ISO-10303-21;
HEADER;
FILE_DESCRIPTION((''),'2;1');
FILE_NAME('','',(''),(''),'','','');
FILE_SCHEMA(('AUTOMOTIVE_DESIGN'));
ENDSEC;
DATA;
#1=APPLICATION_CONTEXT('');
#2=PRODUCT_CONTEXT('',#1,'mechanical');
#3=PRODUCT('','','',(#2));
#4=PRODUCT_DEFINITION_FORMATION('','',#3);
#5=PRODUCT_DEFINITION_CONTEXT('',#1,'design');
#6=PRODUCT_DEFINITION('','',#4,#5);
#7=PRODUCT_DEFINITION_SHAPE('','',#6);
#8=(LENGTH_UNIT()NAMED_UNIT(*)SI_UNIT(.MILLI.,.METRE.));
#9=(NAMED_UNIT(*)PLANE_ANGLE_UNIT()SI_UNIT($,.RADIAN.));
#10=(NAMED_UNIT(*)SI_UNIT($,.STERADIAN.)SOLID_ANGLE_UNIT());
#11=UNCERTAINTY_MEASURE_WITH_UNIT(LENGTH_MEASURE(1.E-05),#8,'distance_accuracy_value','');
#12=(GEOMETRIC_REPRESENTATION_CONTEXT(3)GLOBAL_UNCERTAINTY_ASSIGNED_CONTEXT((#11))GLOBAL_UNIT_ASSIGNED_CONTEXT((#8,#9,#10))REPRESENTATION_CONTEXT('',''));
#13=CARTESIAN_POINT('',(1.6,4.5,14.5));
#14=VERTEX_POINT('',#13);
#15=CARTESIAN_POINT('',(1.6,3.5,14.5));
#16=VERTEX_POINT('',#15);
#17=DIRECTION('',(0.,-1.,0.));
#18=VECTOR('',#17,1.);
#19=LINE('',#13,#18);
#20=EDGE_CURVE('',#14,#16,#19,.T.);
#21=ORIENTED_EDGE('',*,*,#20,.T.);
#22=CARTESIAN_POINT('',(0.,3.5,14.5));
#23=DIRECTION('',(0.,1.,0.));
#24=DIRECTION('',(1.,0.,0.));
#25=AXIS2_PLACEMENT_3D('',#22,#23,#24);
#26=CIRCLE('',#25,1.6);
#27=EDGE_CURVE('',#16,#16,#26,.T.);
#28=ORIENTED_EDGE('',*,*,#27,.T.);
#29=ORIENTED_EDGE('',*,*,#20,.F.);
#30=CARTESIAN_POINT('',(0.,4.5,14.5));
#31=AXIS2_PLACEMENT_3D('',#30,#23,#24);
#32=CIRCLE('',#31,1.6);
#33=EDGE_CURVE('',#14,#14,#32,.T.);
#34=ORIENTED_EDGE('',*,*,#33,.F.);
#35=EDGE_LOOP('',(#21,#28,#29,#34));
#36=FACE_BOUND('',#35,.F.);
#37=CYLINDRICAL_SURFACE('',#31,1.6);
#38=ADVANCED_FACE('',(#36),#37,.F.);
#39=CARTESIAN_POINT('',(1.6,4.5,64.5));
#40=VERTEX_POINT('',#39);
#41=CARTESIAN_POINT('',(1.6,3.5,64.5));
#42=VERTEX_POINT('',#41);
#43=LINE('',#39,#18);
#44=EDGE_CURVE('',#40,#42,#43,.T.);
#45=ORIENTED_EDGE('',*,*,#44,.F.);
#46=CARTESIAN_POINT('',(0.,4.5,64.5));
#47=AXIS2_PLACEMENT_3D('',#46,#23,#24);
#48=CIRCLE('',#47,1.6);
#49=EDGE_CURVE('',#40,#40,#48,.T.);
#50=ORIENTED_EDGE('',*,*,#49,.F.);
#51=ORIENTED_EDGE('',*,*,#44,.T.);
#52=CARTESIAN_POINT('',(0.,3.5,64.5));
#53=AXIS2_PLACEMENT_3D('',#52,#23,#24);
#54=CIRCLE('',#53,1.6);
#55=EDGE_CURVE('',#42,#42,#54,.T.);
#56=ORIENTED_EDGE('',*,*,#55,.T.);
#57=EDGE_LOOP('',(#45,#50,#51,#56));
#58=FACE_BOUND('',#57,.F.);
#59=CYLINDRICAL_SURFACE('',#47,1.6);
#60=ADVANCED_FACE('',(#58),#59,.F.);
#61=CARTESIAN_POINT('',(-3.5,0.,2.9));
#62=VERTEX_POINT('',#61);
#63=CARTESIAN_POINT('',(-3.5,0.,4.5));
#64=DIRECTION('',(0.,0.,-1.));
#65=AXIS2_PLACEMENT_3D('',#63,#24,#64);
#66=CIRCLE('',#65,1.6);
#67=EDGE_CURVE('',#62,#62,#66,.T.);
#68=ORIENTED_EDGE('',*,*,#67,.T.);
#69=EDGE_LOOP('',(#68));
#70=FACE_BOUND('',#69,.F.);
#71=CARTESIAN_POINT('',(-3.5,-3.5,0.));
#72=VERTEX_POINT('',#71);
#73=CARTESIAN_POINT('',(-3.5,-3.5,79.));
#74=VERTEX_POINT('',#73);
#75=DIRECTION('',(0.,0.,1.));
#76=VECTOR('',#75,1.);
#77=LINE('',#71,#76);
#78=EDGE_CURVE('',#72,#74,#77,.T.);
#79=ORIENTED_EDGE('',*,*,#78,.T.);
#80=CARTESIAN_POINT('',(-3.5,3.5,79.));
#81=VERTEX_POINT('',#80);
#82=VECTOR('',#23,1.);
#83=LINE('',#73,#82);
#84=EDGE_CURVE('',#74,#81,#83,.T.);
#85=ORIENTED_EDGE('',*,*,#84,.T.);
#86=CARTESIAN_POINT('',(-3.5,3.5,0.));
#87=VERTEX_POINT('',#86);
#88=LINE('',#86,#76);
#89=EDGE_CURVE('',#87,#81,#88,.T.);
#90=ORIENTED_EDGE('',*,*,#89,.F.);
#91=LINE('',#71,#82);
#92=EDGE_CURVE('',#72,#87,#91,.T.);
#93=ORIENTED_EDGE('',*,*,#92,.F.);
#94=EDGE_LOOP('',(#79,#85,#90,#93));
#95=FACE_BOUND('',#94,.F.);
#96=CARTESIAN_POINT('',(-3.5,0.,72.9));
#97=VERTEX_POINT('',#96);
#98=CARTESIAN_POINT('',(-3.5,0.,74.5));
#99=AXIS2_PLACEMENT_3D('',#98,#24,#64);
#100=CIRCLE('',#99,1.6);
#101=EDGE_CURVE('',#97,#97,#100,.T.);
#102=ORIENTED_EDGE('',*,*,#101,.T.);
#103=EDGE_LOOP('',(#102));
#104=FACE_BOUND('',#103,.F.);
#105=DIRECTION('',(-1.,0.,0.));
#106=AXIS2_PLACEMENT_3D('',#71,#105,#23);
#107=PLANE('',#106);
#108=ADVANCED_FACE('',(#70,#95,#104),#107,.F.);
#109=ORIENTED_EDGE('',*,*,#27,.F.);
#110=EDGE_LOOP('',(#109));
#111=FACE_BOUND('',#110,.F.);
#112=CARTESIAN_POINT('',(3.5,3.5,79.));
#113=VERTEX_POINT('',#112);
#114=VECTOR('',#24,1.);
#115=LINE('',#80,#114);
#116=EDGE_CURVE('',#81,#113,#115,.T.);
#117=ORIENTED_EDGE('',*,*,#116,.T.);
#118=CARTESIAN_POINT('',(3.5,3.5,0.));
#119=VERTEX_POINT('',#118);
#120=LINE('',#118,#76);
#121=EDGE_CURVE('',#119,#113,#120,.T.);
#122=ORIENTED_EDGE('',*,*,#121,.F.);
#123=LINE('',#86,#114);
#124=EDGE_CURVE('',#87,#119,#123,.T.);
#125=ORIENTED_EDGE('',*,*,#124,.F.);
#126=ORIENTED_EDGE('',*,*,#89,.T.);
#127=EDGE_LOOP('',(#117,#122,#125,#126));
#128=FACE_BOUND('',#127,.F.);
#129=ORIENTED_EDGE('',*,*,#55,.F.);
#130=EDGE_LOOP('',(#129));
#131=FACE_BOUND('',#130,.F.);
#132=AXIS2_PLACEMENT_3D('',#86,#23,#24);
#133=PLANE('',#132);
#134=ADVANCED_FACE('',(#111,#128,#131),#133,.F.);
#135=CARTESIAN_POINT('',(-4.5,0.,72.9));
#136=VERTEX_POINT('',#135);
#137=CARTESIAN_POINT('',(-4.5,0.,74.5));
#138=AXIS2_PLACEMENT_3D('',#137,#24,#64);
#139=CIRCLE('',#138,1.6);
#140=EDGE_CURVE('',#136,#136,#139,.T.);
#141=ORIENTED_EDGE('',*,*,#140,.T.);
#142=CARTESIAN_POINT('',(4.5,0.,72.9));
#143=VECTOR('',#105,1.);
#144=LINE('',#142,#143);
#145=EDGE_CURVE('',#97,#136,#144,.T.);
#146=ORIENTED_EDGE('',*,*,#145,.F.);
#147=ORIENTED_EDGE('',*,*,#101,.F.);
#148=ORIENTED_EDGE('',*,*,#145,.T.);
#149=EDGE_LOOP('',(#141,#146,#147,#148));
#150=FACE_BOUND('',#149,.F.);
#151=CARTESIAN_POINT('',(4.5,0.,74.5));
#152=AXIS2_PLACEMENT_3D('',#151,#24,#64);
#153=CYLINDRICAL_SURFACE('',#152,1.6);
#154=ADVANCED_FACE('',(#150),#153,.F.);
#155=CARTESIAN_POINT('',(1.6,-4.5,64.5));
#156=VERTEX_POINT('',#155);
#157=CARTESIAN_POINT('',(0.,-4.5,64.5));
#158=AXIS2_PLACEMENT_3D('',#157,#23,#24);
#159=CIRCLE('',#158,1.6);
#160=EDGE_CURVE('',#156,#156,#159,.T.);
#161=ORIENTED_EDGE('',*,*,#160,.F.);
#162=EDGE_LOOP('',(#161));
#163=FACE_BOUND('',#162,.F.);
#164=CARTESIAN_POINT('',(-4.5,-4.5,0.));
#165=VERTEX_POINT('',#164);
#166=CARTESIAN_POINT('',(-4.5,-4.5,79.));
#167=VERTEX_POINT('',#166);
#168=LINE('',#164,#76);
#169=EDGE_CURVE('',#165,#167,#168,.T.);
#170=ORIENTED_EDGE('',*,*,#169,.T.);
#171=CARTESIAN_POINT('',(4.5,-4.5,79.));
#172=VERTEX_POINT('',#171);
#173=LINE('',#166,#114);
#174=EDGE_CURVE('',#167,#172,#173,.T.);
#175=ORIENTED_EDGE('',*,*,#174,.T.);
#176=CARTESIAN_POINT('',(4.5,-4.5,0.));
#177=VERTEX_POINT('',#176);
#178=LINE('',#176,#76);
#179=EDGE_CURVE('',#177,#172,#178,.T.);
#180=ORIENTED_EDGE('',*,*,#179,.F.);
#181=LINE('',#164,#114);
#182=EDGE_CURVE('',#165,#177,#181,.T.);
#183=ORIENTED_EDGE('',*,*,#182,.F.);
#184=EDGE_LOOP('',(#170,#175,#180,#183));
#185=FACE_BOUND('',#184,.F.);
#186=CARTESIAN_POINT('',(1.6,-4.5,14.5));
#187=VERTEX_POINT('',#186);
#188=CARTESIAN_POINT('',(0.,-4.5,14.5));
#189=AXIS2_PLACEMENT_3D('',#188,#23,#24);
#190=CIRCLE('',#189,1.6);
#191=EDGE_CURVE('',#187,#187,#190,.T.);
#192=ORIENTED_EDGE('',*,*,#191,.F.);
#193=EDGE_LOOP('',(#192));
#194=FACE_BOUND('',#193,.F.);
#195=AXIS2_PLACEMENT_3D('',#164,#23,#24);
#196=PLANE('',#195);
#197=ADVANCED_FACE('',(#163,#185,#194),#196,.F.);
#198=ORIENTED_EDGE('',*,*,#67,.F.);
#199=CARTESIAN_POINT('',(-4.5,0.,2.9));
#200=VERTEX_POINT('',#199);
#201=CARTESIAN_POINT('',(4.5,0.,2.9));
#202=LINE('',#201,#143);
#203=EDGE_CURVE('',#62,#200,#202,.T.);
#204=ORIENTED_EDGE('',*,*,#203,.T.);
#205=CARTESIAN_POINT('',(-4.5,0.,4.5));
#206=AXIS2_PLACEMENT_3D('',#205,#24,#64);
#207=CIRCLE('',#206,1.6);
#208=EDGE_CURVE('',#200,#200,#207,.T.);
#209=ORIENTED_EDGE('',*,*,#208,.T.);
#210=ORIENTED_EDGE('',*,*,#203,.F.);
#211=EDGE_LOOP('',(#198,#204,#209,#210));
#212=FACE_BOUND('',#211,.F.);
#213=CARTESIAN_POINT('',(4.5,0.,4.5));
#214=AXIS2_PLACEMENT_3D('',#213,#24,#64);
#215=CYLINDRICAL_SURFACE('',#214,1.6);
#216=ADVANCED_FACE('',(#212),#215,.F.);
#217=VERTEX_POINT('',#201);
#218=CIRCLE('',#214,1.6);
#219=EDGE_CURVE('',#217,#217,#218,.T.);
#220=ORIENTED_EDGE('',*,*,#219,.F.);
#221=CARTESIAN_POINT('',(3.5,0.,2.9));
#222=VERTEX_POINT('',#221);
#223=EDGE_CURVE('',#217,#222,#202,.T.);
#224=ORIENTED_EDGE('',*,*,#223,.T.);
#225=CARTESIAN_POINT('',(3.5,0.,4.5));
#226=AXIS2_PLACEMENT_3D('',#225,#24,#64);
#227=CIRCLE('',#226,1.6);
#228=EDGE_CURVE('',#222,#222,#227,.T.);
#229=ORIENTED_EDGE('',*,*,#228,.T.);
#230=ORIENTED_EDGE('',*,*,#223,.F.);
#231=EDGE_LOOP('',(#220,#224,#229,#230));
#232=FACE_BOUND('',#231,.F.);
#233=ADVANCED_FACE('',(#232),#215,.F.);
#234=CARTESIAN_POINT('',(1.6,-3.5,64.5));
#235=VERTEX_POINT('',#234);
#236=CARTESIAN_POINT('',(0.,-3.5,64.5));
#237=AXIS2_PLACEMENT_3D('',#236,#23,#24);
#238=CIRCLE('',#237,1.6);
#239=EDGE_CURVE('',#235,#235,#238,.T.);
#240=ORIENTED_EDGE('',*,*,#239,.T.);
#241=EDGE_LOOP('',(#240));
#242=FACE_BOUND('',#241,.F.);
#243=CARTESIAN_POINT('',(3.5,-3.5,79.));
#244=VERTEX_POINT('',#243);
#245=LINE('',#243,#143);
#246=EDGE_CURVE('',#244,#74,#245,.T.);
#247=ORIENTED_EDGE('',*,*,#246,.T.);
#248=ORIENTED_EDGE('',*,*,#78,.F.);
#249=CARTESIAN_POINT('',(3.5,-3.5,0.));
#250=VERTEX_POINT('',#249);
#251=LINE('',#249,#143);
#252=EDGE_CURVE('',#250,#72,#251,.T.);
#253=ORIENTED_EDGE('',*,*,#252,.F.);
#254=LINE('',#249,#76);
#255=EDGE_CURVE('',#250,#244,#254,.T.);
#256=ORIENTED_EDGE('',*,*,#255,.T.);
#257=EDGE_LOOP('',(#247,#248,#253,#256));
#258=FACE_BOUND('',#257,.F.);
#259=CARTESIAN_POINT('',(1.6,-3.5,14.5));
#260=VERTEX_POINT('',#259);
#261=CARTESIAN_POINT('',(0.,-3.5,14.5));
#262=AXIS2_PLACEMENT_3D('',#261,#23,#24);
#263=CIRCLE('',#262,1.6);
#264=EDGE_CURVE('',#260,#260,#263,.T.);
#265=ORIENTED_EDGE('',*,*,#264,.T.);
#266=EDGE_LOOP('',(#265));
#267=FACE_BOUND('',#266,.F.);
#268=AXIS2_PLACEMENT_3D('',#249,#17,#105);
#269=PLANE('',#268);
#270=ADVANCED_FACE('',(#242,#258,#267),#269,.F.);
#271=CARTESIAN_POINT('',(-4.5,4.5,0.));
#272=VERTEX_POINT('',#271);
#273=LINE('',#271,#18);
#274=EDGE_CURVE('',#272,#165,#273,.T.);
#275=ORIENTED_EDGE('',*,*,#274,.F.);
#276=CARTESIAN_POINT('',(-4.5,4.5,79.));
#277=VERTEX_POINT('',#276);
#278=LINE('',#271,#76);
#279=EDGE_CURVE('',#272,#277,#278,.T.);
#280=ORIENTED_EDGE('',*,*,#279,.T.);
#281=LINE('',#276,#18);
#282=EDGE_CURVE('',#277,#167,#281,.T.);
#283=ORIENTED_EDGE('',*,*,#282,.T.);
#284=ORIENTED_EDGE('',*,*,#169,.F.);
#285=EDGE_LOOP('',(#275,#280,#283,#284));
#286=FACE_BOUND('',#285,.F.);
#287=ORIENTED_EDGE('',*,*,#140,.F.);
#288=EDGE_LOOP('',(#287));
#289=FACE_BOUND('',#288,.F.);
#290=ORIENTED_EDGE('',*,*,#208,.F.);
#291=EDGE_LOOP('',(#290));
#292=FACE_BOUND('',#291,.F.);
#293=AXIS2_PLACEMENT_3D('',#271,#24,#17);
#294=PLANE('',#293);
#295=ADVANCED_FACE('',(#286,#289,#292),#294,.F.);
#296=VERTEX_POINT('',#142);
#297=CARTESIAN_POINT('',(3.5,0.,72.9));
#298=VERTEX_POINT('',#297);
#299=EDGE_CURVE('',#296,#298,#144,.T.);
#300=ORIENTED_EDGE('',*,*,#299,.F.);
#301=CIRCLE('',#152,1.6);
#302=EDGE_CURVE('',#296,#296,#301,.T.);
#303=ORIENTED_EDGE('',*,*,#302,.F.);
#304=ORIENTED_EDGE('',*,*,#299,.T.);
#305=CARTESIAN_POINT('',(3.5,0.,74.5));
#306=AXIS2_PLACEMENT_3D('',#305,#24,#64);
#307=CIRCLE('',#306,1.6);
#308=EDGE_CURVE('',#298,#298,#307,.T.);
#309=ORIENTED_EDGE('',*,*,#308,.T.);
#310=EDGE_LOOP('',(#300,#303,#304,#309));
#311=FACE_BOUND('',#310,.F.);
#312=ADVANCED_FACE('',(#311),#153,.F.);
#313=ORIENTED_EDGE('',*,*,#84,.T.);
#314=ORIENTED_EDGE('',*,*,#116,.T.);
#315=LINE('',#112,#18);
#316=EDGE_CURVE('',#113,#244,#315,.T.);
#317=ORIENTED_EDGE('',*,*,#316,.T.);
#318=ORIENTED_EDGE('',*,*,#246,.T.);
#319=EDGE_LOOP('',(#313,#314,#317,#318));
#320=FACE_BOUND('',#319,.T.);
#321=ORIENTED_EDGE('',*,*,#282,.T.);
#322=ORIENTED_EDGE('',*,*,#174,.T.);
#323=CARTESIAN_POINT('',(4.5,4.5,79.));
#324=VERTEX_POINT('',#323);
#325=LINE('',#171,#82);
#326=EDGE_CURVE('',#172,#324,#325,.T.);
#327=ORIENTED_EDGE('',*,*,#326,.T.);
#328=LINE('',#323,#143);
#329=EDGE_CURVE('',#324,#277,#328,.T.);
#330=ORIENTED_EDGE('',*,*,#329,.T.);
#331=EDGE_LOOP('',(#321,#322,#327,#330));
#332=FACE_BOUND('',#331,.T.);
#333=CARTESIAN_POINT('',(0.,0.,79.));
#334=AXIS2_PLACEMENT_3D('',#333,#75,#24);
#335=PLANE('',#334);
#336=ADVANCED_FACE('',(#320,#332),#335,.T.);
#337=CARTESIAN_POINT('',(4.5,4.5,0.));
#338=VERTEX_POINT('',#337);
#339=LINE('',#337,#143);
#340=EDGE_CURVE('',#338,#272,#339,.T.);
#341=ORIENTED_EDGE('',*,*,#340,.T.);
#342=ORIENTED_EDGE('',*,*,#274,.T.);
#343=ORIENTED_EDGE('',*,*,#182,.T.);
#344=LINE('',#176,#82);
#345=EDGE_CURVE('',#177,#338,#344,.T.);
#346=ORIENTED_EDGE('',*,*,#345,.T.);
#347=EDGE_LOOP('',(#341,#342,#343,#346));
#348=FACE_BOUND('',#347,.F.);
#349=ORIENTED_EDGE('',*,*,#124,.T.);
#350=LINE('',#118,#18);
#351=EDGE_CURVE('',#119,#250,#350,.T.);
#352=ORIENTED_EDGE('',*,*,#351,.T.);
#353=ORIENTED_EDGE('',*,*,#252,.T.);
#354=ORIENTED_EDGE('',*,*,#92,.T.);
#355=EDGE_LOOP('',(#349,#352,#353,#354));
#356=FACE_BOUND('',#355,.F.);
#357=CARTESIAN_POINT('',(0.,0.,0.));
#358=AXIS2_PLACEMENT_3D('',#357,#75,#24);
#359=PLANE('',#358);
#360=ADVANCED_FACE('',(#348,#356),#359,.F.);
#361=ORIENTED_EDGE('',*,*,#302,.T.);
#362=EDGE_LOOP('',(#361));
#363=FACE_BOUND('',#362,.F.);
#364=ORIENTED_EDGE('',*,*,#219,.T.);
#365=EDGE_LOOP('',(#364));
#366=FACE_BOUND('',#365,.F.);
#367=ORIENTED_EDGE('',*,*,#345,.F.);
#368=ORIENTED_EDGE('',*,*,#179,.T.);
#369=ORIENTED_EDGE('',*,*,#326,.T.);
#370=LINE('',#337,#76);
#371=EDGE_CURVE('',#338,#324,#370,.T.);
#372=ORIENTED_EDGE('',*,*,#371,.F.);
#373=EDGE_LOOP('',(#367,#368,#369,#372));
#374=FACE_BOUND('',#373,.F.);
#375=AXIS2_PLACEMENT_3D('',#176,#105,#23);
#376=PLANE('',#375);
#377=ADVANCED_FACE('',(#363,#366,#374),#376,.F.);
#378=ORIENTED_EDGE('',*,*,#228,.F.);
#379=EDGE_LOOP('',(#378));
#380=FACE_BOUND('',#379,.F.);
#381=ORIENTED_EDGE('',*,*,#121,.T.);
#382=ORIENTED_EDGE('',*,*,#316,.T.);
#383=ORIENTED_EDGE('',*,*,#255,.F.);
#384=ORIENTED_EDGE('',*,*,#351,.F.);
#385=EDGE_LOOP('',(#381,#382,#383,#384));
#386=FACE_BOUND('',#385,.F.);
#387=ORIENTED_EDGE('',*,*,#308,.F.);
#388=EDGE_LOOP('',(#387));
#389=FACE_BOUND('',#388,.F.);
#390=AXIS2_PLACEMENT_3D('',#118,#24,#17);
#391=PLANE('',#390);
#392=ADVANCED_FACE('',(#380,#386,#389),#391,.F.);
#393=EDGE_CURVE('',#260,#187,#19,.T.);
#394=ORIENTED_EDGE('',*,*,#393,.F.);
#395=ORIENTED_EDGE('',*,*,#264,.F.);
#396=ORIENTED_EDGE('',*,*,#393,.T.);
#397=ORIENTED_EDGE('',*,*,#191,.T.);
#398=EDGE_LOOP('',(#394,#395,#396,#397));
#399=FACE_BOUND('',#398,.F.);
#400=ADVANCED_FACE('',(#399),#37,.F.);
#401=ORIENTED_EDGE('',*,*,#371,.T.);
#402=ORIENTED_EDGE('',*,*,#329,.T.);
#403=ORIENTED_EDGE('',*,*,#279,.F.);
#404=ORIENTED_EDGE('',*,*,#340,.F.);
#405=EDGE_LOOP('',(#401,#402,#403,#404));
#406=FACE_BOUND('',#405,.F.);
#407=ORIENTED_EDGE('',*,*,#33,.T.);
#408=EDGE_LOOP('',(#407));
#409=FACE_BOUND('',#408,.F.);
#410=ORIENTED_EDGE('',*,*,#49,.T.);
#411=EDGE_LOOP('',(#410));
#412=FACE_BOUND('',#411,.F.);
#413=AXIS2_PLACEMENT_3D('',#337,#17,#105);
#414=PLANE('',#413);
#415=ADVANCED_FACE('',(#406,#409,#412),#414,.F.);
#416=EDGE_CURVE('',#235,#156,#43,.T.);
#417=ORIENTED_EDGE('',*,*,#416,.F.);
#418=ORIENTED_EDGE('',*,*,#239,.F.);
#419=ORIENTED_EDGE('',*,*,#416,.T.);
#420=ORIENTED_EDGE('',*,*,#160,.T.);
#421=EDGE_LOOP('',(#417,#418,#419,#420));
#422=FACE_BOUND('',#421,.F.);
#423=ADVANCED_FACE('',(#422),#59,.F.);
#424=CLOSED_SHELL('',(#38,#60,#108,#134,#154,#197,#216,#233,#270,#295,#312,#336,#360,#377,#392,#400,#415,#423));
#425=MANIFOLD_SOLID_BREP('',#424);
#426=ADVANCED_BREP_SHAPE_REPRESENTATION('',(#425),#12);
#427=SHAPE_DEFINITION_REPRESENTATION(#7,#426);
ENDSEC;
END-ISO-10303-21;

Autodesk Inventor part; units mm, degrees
ref_plane "YZ Plane" through (0, 0, 0) normal (1, 0, 0) x (0, 1, 0)
ref_plane "XZ Plane" through (0, 0, 0) normal (0, 1, 0) x (-1, 0, 0)
ref_plane "XY Plane" through (0, 0, 0) normal (0, 0, 1) x (1, 0, 0)
sketch "スケッチ1" plane through (0, 0, 0) normal (0, 0, 1) x (1, 0, 0)
  line L0 (4.5, 4.5) -> (-4.5, 4.5)
  line L1 (-4.5, 4.5) -> (-4.5, -4.5)
  line L2 (-4.5, -4.5) -> (4.5, -4.5)
  line L3 (4.5, -4.5) -> (4.5, 4.5)
  line L4 (4.5, 4.5) -> (-4.5, -4.5) construction
  line L5 (-4.5, 4.5) -> (4.5, -4.5) construction
  line L6 (-3.5, 3.5) -> (3.5, 3.5)
  line L7 (3.5, 3.5) -> (3.5, -3.5)
  line L8 (3.5, -3.5) -> (-3.5, -3.5)
  line L9 (-3.5, -3.5) -> (-3.5, 3.5)
  point P0 (0, 0)
  dimension "d0" = 9
  dimension "d1" = 9
  dimension "d2" = 1
extrude "押し出し1" add sketch "スケッチ1" along normal blind 79
sketch "スケッチ2" plane through (4.5, -4.5, 0) normal (1, 0, 0) x (0, 0, -1)
  circle A0 centre (-4.5, 4.5) radius 1.6
  circle A1 centre (-74.5, 4.5) radius 1.6
  line L0 (0, 0) -> (0, 9) projected
  point P0 (0, 4.5)
  point P1 (0, 4.5)
  dimension "d5" = 3.2
  dimension "d6" = 3.2
  dimension "d7" = 4.5
  dimension "d8" = 70
extrude "押し出し2" cut sketch "スケッチ2" against normal through all
sketch "スケッチ3" plane through (-4.5, 4.5, 0) normal (0, 1, 0) x (1, 0, 0)
  circle A0 centre (4.5, -14.5) radius 1.6
  circle A1 centre (4.5, -64.5) radius 1.6
  line L0 (9, 0) -> (0, 0) projected
  point P0 (4.5, 0)
  point P1 (4.5, 0)
  dimension "d11" = 3.2
  dimension "d12" = 3.2
  dimension "d13" = 50
  dimension "d14" = 14.5
extrude "押し出し3" cut sketch "スケッチ3" against normal through all
properties part number "ハンド_角柱2" material "アルミニウム 6061"
